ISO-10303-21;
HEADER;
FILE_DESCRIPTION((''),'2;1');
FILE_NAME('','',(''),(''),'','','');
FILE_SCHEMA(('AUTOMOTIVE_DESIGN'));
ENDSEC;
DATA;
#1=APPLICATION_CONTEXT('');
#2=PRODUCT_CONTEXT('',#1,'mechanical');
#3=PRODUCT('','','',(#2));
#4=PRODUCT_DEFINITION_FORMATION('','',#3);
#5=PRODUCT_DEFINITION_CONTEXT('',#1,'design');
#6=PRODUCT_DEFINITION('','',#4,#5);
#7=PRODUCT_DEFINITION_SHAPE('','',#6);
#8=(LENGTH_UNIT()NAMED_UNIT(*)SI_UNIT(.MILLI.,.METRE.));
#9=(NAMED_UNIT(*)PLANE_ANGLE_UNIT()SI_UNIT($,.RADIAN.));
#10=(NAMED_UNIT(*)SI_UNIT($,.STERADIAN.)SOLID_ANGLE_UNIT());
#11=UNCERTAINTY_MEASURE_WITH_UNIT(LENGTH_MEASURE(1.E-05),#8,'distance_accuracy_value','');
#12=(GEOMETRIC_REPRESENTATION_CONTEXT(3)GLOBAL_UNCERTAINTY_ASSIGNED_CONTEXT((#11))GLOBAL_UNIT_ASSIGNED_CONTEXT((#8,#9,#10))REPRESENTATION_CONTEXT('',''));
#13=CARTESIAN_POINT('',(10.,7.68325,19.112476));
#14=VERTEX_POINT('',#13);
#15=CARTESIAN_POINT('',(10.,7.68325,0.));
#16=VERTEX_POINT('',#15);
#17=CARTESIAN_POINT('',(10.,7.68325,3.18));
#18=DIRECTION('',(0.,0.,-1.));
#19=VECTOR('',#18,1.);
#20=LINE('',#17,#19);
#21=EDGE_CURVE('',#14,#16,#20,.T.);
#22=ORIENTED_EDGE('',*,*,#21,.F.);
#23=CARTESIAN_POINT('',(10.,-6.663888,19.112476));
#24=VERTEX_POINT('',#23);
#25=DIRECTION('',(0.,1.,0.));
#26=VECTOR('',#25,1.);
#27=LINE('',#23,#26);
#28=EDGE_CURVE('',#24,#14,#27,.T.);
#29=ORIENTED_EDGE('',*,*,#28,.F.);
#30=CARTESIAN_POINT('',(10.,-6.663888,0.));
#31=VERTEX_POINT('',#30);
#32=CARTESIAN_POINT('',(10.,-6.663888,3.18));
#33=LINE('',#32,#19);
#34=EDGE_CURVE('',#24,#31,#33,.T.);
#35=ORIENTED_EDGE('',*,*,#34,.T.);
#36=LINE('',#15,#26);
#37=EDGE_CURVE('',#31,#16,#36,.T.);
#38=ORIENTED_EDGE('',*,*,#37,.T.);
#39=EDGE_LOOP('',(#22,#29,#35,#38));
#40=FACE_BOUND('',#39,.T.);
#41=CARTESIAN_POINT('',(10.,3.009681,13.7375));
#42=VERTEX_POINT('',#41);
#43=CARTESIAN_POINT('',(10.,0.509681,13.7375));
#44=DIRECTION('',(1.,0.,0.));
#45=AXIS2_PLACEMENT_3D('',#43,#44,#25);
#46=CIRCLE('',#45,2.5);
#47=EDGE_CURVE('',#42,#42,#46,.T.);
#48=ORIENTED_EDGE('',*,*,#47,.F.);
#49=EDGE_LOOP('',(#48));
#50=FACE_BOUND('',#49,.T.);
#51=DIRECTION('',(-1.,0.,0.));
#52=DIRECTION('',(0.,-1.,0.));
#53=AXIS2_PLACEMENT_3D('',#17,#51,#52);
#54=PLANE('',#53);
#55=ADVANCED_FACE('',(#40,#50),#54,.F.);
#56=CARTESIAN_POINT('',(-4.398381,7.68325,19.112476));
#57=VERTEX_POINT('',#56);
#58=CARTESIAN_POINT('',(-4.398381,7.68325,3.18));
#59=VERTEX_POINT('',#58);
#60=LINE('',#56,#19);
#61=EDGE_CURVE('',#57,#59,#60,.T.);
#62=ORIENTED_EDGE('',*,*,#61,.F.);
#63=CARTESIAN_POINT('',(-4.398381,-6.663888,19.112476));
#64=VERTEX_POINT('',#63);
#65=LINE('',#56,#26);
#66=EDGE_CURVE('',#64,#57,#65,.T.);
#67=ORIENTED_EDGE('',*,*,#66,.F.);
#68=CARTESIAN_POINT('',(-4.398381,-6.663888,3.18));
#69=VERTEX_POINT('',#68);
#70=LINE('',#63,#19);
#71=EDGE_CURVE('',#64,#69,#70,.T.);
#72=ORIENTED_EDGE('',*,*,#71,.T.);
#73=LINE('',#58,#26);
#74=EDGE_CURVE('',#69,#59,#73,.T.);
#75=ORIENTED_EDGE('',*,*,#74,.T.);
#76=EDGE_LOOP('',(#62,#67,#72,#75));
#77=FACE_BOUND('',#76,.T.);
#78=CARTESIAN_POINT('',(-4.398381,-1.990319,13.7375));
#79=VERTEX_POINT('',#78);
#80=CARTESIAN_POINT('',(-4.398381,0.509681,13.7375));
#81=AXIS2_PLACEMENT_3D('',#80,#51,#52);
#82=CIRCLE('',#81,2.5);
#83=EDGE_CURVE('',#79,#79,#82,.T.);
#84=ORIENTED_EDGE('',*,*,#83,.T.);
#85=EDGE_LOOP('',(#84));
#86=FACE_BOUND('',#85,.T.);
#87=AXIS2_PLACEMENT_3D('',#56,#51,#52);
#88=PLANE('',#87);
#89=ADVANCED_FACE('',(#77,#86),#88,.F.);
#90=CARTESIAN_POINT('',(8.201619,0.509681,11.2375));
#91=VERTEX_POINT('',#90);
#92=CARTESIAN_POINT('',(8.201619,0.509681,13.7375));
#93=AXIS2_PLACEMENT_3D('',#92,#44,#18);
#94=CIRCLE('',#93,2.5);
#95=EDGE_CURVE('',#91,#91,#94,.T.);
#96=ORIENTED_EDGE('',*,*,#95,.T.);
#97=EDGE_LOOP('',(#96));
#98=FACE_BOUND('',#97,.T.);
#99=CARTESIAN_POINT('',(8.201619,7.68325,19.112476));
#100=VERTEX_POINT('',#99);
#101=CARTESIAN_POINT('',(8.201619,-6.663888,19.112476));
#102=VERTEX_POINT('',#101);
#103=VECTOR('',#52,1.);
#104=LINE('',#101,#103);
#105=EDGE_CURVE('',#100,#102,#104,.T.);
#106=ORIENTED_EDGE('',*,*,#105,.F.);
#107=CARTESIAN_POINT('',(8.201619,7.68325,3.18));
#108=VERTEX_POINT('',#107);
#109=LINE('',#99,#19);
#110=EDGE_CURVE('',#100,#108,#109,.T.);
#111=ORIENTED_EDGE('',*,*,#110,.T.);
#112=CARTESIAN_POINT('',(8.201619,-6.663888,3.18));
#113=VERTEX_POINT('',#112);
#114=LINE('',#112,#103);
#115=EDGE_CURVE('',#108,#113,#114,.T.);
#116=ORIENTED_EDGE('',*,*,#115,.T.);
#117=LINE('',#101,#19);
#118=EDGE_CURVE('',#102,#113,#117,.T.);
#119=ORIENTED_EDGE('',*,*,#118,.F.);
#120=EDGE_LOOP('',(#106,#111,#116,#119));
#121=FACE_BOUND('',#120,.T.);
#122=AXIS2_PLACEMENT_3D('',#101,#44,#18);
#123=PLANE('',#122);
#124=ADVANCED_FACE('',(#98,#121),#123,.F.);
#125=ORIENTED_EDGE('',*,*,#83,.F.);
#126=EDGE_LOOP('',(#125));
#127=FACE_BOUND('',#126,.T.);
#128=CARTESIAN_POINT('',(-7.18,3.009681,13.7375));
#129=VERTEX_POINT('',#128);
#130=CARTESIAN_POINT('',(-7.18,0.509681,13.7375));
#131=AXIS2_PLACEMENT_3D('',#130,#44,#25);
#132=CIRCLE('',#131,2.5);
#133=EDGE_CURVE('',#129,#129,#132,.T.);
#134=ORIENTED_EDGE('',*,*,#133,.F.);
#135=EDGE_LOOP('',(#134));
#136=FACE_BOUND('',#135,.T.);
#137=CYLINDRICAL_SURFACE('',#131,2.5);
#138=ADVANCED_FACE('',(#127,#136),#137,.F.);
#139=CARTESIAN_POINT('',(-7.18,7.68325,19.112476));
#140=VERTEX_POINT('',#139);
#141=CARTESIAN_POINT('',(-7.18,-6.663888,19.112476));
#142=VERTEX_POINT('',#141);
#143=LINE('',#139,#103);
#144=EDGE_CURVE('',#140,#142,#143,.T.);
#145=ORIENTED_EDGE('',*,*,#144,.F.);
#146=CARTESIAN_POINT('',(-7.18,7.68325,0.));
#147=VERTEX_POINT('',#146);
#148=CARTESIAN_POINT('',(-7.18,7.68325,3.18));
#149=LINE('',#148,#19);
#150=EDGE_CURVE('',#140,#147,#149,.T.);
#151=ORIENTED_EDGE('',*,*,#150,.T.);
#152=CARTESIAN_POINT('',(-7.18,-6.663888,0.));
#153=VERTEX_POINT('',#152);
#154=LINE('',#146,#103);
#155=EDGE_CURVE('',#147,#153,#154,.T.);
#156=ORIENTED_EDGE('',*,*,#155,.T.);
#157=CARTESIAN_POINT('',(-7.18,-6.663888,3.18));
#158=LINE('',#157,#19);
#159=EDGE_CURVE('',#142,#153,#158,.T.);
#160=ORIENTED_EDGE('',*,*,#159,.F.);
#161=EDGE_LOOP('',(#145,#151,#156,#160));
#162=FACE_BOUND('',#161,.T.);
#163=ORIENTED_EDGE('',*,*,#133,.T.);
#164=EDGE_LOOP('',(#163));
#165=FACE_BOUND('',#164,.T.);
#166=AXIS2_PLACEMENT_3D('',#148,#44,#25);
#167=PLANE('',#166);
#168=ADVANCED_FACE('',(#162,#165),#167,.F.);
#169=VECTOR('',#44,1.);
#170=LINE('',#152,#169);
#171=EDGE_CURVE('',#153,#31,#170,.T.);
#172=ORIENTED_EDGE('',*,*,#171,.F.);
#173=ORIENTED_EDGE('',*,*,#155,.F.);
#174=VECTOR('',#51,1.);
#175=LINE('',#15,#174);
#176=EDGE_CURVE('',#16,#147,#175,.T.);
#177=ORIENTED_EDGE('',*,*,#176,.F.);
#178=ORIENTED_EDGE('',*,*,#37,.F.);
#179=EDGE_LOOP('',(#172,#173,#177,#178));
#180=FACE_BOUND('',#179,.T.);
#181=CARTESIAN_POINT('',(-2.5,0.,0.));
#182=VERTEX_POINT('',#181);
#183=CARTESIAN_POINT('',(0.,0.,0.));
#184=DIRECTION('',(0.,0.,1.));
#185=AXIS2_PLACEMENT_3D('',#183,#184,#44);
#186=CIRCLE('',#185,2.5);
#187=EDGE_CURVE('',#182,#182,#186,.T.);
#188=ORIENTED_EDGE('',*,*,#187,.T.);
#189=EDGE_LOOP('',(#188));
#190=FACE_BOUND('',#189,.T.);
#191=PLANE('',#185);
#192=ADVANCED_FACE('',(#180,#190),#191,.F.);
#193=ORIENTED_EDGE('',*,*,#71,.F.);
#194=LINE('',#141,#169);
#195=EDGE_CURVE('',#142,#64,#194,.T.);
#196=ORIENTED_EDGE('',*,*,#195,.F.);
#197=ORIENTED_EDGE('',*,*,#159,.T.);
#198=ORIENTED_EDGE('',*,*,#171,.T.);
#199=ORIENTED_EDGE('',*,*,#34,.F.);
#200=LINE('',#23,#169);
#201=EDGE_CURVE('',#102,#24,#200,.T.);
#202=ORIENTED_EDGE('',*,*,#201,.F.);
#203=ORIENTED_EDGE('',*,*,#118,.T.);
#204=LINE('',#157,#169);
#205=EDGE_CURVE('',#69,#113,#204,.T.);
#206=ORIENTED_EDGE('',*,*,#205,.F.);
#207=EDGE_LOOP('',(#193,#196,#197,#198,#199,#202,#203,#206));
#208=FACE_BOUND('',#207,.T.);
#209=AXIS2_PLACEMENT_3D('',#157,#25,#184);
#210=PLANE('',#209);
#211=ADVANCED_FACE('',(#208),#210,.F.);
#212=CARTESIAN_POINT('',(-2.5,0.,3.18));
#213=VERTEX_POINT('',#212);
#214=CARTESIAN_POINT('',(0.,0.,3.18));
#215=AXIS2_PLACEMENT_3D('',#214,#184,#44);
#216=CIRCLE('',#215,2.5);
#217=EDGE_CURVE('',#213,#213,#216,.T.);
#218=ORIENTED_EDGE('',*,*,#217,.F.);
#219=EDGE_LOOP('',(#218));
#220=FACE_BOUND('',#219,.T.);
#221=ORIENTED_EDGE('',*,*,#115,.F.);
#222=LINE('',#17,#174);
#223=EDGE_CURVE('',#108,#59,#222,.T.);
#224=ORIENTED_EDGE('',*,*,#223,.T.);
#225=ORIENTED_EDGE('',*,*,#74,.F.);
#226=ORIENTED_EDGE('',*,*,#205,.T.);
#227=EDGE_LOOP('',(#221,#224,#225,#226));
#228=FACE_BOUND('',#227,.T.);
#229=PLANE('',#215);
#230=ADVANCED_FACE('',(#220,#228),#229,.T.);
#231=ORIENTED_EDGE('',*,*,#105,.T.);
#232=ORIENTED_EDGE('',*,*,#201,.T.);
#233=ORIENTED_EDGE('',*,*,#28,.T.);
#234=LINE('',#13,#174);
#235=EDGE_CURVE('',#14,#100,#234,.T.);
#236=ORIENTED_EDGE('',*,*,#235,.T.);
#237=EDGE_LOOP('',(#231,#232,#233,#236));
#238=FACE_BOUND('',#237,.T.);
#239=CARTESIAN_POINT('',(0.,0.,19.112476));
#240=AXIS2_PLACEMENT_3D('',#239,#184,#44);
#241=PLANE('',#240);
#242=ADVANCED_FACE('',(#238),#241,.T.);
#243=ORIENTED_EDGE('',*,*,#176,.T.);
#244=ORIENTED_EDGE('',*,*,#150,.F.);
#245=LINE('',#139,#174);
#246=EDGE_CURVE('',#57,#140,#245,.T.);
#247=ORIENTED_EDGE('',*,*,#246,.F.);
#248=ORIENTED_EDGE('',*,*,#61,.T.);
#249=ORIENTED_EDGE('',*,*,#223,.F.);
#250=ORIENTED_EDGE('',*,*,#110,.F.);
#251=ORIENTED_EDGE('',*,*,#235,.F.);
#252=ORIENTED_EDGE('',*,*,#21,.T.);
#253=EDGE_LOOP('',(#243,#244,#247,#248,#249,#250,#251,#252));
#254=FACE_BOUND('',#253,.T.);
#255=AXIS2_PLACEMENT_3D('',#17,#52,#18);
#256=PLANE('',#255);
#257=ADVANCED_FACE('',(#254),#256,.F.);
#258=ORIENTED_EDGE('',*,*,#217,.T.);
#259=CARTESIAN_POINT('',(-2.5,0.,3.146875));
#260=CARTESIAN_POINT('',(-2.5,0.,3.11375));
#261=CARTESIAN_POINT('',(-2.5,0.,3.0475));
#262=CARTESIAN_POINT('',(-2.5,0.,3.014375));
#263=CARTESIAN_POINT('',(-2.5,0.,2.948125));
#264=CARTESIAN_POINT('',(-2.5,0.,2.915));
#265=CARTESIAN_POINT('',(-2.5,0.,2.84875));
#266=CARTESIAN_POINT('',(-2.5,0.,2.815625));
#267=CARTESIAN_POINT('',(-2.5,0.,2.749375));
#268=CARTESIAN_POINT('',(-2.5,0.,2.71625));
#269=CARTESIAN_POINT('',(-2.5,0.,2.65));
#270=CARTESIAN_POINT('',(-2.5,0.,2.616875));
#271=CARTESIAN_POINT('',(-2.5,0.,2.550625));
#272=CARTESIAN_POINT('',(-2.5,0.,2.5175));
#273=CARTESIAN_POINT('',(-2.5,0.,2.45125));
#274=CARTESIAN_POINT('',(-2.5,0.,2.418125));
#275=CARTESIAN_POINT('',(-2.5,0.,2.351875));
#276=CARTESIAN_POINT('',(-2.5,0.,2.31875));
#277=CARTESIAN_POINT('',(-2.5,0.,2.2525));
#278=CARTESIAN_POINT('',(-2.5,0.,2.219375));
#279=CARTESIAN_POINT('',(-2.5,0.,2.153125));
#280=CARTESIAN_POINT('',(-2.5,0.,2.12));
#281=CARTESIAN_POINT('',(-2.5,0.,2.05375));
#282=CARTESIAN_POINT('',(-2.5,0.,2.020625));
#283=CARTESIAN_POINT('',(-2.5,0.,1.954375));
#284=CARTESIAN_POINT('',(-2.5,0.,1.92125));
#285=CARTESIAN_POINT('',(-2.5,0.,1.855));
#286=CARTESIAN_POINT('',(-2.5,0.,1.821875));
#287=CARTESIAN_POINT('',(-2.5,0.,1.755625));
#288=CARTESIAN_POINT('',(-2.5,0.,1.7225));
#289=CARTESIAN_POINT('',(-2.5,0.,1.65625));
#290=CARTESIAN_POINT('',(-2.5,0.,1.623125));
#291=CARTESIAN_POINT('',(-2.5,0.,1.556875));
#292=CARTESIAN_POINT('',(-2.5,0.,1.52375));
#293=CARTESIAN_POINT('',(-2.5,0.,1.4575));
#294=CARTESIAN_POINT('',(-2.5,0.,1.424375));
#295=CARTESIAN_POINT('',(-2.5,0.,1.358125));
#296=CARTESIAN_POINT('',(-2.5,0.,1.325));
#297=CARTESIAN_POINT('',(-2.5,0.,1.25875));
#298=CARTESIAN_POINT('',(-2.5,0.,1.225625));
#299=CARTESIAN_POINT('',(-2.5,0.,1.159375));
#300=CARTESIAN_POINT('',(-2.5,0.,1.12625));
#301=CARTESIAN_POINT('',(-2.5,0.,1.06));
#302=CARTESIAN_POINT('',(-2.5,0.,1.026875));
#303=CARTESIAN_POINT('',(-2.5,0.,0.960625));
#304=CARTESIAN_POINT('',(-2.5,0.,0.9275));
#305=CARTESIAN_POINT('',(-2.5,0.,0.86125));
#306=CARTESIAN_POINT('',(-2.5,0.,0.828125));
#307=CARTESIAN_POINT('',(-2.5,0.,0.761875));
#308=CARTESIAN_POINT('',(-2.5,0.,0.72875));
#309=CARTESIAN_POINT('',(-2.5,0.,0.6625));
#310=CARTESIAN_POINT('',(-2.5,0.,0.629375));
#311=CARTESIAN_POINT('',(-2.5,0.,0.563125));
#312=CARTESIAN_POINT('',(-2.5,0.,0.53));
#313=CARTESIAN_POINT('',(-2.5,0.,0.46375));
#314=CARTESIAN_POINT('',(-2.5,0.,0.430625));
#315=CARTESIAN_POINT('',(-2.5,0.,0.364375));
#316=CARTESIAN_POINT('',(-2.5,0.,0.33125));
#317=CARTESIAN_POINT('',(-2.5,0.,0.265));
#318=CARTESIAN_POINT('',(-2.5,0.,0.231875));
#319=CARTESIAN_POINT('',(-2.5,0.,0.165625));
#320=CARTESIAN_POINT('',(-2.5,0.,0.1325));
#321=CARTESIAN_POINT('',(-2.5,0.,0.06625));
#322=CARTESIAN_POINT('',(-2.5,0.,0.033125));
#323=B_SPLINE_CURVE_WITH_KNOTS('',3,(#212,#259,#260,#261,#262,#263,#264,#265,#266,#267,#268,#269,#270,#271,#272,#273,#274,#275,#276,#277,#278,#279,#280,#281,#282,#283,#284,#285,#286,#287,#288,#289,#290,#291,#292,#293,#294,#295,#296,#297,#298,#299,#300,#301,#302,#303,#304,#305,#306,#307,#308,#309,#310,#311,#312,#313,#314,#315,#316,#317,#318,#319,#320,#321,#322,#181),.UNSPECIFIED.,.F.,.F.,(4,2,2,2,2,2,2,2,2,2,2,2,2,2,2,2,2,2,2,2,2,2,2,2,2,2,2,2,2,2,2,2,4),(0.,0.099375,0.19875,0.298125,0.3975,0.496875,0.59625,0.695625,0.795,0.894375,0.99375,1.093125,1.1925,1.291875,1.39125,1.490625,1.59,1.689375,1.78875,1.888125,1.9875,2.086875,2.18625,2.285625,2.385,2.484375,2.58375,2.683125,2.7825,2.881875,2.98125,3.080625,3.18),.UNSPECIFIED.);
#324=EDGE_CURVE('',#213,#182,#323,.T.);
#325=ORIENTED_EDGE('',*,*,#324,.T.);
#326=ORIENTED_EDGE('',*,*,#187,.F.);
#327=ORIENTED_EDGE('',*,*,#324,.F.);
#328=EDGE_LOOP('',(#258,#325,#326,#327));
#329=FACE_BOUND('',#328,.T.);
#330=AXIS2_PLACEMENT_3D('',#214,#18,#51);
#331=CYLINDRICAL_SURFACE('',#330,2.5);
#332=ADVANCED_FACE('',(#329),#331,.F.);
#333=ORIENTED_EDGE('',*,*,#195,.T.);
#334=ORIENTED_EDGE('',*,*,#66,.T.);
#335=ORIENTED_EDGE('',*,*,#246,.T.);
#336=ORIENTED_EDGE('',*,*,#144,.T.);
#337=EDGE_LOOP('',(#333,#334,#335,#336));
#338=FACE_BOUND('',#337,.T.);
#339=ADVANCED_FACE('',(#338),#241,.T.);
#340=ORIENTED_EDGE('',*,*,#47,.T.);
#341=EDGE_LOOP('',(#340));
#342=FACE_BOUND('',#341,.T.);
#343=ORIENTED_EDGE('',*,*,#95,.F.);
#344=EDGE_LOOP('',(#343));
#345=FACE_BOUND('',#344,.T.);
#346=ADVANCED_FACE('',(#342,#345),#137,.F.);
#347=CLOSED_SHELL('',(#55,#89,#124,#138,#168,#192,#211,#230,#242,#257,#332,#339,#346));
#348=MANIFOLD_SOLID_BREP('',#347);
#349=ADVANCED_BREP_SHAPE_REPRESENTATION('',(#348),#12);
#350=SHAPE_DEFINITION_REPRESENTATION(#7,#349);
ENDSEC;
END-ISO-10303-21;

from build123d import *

# Parameters (mm, degrees)
SKETCH1_W           = 17.180000002
SKETCH1_H           = 14.347137423
SKETCH1_R           = 2.5
BOSS_EXTRUDE1_DEPTH = 3.18
SKETCH2_W           = 1.798380988
SKETCH2_H           = 14.347137423
SKETCH2_W_2         = 2.781619014
BOSS_EXTRUDE2_DEPTH = 15.932476
SKETCH3_R           = 2.5
CUT_EXTRUDE1_DEPTH  = 27.822965215


with BuildPart() as part:
    # Sketch1 → Boss-Extrude1 (new body)
    with BuildSketch(Plane.XY):
        with Locations((1.409999999, 0.509680861)):
            Rectangle(SKETCH1_W, SKETCH1_H)
        with Locations(Location((0, 0, 0), (0, 0, 180))):
            Circle(SKETCH1_R, mode=Mode.SUBTRACT)
    extrude(amount=BOSS_EXTRUDE1_DEPTH)

    # Sketch2 → Boss-Extrude2 (add)
    with BuildSketch(Plane.XY.offset(3.18)):
        with Locations((9.100809506, 0.509680861)):
            Rectangle(SKETCH2_W, SKETCH2_H)
        with Locations((-5.789190495, 0.509680861)):
            Rectangle(SKETCH2_W_2, SKETCH2_H)
    extrude(amount=BOSS_EXTRUDE2_DEPTH)

    # Sketch3 → Cut-Extrude1 (cut, through all)
    with BuildSketch(Plane(origin=(10, 0, 0), x_dir=(0, 0, -1), z_dir=(1, 0, 0))):
        with Locations(Location((-13.737500001, 0.50968086, 0), (0, 0, 90))):
            Circle(SKETCH3_R)
    extrude(amount=-CUT_EXTRUDE1_DEPTH, mode=Mode.SUBTRACT)


solid = part.part
